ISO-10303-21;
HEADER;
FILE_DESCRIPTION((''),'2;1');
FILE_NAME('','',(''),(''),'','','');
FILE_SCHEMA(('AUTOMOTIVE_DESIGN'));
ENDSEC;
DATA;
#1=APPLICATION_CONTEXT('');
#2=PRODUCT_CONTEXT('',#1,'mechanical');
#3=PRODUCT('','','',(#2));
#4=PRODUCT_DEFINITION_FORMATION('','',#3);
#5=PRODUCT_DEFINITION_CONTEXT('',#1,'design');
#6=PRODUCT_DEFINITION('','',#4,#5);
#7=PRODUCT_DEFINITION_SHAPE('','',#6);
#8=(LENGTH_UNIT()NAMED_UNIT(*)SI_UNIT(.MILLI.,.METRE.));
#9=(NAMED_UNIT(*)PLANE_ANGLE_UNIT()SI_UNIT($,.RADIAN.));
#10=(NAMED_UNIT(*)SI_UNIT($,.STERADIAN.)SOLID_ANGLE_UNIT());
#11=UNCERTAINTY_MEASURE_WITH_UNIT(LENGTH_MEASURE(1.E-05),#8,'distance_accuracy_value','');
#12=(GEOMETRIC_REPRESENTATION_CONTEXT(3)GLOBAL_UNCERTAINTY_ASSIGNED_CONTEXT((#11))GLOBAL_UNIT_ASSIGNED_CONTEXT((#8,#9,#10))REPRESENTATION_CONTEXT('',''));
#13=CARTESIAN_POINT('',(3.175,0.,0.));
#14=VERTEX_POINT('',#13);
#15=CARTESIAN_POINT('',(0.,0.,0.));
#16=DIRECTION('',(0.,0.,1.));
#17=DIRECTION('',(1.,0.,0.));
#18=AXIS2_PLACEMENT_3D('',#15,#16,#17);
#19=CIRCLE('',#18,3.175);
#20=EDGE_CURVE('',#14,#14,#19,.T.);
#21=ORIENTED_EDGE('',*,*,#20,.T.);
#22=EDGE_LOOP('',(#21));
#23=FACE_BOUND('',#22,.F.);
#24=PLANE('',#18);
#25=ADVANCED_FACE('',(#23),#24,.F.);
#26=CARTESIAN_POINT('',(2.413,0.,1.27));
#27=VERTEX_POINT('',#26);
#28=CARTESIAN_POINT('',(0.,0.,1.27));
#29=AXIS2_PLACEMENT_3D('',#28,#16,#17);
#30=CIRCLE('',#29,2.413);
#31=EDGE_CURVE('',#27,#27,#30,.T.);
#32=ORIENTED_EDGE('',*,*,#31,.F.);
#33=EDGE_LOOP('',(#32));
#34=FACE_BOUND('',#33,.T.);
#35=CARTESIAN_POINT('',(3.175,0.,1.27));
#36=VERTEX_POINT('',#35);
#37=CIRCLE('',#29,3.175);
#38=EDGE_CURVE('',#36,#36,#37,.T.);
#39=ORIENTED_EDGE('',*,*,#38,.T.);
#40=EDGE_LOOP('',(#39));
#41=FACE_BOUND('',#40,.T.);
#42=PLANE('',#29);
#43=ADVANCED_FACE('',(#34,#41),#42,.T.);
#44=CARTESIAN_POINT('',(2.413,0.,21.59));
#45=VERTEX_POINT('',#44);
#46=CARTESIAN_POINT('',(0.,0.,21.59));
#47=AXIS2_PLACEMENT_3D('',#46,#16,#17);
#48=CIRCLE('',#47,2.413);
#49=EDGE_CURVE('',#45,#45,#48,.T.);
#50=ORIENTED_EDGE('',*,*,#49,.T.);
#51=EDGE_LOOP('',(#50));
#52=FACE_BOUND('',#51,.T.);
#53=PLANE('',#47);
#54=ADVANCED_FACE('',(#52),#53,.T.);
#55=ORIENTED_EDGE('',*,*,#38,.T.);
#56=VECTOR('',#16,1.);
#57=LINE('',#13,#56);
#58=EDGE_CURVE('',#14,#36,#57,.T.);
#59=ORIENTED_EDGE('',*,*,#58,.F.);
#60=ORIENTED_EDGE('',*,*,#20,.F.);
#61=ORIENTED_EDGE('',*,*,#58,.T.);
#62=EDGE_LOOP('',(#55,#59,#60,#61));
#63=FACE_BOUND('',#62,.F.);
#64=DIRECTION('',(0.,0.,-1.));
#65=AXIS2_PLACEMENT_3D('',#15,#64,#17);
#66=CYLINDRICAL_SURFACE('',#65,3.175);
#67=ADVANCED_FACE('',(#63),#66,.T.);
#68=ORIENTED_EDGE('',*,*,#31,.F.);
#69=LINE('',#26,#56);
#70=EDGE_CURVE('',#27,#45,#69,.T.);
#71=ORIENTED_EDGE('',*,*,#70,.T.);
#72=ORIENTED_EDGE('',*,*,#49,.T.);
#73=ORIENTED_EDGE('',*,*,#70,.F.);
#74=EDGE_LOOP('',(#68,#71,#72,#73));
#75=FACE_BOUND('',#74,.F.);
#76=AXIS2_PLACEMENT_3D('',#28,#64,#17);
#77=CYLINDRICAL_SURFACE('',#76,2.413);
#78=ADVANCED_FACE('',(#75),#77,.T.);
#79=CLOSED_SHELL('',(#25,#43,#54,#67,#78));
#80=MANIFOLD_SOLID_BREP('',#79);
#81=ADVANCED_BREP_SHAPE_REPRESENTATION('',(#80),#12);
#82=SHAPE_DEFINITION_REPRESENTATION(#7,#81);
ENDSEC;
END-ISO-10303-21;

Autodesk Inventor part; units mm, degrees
ref_plane "YZ Plane" through (0, 0, 0) normal (1, 0, 0) x (0, 1, 0)
ref_plane "XZ Plane" through (0, 0, 0) normal (0, 1, 0) x (-1, 0, 0)
ref_plane "XY Plane" through (0, 0, 0) normal (0, 0, 1) x (1, 0, 0)
sketch "Sketch1" plane through (0, 0, 0) normal (0, 0, 1) x (1, 0, 0)
  circle A0 centre (0, 0) radius 3.175
  circle A1 centre (0, 0) radius 2.413
  dimension "d0" = 6.35
  dimension "d1" = 4.826
extrude "Extrusion1" add sketch "Sketch1" along normal blind 1.27 contours A0 | A1
sketch "Sketch2" plane through (0, 0, 1.27) normal (0, 0, 1) x (1, 0, 0)
  circle A0 centre (0, 0) radius 2.413
  dimension "d4" = 4.826
extrude "Extrusion2" add sketch "Sketch2" along normal blind 20.32
properties part number "SpringPin"
